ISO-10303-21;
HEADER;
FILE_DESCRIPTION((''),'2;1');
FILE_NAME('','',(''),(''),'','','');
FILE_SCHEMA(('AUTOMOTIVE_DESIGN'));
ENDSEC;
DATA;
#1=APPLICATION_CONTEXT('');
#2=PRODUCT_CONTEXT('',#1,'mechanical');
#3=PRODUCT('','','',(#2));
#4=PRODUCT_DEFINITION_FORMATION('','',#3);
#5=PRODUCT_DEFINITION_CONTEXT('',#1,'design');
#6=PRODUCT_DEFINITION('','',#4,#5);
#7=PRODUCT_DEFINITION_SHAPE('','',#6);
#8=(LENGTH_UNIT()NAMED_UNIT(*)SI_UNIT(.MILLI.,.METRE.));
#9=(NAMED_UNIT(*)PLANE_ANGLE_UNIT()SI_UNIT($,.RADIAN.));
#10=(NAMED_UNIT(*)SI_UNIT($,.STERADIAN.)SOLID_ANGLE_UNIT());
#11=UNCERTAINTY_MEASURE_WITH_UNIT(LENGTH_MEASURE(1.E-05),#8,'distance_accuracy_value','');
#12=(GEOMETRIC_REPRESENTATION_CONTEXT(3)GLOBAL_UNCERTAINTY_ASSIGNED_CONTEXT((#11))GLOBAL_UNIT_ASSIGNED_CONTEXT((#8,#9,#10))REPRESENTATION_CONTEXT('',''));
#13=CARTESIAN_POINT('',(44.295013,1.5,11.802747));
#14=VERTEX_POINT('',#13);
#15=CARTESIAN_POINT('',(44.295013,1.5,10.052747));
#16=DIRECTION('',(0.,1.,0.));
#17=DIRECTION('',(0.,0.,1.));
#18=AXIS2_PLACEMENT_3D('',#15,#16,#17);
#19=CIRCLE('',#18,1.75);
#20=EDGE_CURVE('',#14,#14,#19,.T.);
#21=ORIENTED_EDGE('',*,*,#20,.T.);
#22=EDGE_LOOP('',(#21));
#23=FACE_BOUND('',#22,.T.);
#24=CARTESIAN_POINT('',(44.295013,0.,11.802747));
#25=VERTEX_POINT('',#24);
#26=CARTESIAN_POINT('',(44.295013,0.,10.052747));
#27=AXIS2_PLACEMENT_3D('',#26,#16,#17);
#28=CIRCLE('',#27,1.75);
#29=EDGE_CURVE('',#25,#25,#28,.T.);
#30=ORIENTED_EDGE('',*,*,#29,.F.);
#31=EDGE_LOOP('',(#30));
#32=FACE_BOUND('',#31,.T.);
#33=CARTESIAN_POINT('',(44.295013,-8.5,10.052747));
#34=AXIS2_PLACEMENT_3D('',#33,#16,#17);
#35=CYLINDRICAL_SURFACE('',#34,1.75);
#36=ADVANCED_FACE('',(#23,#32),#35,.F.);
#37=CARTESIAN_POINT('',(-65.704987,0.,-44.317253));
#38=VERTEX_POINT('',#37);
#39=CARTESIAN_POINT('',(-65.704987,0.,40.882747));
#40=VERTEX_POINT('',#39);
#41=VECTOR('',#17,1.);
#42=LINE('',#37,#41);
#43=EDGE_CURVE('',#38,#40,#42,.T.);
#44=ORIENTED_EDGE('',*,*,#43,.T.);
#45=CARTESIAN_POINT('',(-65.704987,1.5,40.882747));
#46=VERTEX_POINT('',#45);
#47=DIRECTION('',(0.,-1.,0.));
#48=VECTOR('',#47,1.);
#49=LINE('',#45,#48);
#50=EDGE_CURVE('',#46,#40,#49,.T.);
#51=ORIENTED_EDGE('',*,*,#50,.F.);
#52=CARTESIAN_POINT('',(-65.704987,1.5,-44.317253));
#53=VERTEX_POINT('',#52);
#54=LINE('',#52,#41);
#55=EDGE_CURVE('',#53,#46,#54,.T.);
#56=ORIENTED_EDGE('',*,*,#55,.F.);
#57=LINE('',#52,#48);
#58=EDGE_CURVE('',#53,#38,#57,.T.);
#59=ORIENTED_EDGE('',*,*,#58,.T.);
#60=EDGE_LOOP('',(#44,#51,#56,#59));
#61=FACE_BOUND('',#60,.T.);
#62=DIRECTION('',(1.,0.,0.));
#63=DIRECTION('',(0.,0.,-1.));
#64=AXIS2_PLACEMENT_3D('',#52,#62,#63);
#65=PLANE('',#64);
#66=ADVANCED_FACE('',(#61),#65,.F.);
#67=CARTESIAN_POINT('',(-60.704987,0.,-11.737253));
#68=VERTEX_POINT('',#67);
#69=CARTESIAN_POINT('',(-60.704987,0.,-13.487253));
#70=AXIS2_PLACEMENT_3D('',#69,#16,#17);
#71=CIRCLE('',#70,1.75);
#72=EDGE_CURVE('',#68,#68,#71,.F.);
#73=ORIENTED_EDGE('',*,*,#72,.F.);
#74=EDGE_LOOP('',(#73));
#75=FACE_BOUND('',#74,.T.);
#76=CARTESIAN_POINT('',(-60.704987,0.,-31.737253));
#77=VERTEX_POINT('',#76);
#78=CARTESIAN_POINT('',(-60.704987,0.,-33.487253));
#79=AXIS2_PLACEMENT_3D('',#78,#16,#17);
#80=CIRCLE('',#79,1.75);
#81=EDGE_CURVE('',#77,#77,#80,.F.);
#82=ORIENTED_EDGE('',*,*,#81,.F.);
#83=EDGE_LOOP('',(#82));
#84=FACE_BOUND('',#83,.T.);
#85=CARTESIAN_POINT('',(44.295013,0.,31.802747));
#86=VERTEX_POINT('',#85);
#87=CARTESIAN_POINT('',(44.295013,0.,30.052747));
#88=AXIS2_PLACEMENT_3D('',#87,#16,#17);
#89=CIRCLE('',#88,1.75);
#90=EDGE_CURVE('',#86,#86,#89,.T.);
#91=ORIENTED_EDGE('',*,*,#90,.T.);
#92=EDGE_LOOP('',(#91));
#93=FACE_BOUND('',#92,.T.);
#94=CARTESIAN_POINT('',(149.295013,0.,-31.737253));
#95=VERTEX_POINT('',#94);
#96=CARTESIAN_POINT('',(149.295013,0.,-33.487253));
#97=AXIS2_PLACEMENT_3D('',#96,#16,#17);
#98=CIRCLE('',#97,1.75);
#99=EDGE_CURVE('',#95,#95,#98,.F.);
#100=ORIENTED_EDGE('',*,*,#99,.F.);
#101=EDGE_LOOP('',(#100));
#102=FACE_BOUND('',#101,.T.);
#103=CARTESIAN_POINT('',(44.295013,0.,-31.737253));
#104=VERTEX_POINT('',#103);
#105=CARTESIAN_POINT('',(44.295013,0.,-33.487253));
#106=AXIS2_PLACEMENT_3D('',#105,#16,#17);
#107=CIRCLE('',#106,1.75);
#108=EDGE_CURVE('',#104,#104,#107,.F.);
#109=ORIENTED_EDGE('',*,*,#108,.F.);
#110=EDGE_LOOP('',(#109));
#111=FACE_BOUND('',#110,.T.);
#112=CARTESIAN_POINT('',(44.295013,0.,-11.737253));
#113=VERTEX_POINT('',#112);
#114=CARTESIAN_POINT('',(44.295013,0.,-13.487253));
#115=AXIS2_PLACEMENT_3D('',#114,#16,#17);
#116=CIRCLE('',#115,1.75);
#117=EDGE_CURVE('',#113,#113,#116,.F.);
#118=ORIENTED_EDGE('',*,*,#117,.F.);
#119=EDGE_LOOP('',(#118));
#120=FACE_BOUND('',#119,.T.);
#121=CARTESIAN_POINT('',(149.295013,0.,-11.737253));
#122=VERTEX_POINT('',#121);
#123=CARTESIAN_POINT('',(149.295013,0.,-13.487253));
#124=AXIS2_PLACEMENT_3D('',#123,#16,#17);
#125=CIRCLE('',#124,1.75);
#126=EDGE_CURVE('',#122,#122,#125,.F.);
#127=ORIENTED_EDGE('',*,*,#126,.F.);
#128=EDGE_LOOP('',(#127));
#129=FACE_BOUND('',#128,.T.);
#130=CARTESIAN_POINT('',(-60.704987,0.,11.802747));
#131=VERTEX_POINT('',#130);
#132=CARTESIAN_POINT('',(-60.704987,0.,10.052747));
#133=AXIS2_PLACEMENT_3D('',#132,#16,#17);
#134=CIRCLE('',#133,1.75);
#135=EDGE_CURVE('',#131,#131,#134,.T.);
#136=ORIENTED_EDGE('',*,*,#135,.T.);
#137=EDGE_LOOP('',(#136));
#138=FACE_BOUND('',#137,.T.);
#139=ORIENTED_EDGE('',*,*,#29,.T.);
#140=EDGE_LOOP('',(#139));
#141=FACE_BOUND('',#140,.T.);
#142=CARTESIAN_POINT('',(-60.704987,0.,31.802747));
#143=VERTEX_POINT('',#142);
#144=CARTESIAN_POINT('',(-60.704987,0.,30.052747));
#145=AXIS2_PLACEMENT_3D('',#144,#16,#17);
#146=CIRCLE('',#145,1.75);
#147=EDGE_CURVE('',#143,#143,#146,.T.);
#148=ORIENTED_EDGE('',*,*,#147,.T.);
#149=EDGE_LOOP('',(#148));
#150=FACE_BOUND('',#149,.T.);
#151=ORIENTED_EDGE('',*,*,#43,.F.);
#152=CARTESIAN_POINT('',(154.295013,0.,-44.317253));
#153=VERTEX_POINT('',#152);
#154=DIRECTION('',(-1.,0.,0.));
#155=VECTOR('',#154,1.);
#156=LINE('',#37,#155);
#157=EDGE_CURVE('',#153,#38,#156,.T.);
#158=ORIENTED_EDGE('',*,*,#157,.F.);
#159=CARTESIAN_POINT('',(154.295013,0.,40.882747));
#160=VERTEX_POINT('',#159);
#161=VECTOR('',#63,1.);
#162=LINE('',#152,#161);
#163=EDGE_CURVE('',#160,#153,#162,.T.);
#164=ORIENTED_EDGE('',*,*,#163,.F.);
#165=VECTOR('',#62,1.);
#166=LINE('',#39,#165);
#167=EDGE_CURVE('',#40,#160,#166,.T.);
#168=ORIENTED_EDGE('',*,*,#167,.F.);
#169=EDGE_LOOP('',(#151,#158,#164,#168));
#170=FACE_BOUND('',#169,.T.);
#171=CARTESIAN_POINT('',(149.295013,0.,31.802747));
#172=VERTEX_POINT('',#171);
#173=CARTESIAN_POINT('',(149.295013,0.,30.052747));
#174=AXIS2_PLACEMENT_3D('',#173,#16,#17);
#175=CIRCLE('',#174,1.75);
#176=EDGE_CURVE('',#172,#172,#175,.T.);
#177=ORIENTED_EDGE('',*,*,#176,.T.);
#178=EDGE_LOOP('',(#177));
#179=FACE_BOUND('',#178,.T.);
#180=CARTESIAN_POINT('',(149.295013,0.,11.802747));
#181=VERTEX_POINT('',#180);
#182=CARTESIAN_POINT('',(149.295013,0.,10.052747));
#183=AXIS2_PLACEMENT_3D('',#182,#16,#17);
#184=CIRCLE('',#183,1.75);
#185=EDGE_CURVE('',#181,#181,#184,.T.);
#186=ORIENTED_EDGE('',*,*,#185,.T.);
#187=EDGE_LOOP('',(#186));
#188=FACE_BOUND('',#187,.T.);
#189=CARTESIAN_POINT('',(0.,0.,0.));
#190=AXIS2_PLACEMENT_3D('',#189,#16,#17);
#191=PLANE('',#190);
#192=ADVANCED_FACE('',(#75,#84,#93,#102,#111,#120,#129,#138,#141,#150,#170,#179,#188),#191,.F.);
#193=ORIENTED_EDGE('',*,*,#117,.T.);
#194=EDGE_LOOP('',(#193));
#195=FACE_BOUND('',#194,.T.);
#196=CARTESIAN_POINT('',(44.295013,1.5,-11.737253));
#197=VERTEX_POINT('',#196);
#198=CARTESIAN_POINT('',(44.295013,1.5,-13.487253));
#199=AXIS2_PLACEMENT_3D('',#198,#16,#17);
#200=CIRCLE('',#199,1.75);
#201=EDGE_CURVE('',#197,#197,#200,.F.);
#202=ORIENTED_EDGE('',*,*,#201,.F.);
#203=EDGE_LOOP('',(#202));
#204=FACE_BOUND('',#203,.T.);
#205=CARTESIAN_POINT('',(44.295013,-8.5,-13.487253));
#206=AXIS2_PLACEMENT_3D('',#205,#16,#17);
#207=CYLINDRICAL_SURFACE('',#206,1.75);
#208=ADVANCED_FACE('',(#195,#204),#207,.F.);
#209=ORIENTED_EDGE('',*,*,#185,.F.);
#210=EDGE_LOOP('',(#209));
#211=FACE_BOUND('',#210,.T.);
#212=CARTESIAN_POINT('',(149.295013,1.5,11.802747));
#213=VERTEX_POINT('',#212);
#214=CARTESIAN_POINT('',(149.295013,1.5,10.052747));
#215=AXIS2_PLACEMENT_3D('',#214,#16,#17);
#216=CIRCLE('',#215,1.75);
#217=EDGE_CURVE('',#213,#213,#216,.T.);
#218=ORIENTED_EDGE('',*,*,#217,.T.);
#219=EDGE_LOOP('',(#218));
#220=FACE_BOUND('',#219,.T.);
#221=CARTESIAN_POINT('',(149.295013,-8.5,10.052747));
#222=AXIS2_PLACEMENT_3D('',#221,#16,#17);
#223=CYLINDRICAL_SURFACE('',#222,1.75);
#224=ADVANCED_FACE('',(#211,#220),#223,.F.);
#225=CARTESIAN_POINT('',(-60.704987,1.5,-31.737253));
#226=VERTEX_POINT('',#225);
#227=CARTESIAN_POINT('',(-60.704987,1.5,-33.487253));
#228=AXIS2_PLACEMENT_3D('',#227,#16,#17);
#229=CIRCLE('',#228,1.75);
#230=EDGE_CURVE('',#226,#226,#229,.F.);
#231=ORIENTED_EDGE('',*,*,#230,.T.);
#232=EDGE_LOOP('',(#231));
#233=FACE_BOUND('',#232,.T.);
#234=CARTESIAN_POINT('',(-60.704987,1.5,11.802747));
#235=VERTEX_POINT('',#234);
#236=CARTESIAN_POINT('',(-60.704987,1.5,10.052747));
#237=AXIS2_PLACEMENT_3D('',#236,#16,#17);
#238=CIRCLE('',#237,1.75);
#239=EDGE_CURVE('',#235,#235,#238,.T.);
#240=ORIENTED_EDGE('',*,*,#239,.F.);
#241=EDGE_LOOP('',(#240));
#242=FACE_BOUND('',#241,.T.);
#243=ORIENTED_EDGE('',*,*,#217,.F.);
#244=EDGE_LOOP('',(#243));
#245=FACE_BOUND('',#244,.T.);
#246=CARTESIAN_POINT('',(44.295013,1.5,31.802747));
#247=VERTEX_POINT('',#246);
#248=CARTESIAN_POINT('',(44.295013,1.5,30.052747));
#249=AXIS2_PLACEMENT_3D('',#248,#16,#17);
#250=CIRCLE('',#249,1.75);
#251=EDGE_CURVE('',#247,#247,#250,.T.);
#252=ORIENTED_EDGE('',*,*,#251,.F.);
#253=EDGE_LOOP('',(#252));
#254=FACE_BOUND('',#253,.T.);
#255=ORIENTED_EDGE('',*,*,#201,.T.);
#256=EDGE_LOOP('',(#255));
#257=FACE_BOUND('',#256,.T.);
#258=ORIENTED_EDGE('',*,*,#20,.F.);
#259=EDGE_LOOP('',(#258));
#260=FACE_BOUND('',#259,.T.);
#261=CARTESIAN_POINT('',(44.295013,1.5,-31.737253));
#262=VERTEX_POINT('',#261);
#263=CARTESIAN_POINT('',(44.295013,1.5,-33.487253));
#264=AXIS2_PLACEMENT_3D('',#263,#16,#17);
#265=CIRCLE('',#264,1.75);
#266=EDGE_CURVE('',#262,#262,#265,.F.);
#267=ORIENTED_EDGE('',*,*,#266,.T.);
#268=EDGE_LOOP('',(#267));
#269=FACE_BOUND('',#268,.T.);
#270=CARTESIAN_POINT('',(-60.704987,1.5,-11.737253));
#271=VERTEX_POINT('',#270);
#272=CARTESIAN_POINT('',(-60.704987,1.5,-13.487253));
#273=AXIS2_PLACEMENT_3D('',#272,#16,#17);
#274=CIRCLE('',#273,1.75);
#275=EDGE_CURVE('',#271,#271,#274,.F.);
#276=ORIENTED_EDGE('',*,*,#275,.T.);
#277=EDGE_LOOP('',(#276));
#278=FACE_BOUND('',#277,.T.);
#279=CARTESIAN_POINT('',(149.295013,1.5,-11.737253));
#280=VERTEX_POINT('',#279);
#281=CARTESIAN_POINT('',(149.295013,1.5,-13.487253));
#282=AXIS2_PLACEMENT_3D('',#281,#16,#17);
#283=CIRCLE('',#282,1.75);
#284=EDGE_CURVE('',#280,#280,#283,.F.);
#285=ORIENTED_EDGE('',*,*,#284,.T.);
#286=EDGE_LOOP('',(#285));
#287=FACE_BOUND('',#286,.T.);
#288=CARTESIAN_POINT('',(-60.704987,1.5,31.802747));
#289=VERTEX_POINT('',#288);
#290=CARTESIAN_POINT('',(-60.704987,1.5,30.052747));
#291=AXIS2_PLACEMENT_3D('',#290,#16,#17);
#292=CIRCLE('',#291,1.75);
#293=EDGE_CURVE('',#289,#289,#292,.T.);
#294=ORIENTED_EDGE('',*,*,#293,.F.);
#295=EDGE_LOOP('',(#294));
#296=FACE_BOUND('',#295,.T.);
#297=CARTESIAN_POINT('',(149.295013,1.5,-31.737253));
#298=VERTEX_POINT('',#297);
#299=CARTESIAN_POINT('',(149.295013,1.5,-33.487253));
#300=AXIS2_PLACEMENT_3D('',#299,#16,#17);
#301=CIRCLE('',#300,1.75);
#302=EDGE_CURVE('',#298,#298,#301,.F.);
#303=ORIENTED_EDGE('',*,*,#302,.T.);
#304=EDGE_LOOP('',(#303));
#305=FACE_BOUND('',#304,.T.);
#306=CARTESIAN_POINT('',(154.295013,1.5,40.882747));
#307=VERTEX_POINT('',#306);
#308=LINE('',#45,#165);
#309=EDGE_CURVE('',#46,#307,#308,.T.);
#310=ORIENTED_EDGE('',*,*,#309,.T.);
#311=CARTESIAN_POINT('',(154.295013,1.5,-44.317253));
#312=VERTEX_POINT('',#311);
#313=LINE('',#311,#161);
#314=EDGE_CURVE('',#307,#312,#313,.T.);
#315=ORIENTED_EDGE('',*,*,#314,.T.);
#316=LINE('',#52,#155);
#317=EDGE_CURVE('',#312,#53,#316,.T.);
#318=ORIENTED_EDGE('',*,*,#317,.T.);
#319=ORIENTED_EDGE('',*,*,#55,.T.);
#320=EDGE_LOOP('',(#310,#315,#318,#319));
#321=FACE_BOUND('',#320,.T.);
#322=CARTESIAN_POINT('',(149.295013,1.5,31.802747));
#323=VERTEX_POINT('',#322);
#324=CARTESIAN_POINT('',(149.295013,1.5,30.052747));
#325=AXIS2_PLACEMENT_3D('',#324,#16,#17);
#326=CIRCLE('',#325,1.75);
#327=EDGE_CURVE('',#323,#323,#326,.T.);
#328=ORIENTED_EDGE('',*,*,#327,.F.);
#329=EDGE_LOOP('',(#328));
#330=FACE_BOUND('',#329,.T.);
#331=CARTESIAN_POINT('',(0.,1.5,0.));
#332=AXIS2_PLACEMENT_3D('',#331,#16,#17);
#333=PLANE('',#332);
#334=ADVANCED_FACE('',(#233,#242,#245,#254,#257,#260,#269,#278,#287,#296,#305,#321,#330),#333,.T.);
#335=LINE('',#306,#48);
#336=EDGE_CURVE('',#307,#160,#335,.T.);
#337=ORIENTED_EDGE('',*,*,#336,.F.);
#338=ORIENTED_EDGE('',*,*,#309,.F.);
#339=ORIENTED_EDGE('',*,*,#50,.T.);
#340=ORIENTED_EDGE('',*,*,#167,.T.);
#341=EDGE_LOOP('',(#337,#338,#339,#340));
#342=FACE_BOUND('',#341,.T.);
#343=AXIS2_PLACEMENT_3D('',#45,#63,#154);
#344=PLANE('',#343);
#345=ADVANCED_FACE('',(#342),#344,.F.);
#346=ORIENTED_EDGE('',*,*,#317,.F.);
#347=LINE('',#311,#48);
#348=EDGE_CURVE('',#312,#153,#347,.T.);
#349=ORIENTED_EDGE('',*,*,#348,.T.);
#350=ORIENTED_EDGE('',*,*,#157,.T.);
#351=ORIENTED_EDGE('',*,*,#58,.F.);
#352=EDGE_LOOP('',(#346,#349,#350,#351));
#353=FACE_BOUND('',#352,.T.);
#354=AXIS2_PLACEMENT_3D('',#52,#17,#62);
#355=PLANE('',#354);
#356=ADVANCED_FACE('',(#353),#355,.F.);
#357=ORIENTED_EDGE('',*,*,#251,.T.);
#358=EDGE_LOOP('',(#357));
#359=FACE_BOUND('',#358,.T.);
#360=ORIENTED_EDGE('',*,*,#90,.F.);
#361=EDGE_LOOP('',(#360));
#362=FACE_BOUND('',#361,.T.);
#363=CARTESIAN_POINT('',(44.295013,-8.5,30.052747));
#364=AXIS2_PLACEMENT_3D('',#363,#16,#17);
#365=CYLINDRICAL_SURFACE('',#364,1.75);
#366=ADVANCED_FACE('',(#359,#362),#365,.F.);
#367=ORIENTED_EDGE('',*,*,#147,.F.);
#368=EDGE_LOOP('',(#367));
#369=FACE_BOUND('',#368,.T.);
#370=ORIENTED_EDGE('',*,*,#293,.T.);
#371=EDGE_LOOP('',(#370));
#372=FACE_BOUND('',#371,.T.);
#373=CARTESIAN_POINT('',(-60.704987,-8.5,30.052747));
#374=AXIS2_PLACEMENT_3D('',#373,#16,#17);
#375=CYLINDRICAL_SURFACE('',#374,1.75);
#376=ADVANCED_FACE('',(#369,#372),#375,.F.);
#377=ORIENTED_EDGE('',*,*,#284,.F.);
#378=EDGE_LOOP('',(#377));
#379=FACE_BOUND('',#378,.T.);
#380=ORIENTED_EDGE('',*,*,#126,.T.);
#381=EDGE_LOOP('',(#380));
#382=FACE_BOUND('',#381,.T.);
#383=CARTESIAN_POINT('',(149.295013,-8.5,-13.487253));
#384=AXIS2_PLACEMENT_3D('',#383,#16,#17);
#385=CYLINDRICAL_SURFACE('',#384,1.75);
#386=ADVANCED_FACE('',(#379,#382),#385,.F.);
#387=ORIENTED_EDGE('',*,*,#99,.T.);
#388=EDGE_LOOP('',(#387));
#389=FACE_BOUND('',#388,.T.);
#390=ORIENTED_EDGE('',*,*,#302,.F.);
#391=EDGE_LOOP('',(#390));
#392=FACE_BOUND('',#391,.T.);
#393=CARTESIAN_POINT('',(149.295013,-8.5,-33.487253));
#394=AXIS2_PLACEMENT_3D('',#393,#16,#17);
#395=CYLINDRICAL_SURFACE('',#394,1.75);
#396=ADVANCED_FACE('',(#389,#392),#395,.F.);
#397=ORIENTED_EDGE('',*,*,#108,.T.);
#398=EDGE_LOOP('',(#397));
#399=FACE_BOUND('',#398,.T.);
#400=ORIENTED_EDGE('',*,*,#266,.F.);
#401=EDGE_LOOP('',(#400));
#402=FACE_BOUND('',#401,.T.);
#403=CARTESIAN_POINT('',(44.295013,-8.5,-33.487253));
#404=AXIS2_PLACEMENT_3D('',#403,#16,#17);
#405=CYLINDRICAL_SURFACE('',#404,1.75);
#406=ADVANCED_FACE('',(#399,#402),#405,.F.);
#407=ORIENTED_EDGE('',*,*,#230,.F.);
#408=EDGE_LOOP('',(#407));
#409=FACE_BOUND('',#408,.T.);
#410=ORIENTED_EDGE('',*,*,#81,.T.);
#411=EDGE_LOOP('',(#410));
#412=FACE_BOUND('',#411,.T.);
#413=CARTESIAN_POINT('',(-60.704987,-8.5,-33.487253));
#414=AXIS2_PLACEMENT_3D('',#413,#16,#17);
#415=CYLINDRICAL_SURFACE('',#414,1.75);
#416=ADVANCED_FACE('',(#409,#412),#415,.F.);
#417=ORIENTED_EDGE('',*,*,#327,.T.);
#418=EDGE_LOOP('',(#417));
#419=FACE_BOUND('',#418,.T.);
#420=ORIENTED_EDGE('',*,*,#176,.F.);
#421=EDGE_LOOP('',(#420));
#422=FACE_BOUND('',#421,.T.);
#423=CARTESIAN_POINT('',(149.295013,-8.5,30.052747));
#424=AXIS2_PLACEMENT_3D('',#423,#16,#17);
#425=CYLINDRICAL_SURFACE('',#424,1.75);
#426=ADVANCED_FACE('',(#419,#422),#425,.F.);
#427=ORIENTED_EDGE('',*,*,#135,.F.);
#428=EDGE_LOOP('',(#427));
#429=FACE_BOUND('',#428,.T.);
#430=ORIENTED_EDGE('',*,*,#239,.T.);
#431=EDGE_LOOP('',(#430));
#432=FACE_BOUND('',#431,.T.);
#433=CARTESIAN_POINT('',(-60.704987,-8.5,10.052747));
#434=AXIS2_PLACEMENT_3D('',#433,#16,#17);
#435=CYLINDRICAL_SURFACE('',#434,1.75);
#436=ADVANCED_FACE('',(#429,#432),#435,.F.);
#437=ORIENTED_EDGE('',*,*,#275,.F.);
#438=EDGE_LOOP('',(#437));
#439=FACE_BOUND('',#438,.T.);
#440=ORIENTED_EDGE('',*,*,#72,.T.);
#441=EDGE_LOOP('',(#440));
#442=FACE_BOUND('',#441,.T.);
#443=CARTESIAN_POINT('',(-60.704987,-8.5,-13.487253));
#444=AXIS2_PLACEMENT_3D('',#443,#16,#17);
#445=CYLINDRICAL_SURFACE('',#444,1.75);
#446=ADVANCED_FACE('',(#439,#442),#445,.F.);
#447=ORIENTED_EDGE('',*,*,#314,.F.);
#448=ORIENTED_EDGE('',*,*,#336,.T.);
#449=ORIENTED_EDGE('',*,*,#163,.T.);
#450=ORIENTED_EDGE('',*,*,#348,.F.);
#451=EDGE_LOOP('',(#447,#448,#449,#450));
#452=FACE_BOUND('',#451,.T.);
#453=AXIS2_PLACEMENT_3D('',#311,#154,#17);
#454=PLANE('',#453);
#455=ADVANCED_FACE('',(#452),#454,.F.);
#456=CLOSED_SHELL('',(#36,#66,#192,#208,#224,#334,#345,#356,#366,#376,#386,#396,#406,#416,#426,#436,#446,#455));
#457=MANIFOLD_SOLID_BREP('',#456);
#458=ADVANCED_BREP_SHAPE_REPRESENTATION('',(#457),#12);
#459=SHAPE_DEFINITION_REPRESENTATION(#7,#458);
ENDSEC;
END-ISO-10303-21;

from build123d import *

# Parameters (mm, degrees)
SKETCH_1_W          = 220
SKETCH_1_H          = 85.2
EXTRUDE_1_DEPTH     = 1.5
SKETCH_2_R          = 1.75
CUT_EXTRUDE_1_DEPTH = 10


with BuildPart() as part:
    # 草图1 → 凸台-拉伸1 (new body)
    with BuildSketch(Plane(origin=(0, 0, 0), x_dir=(1, 0, 0), z_dir=(0, 1, 0))):
        with Locations((44.295012832, 1.717252595)):
            Rectangle(SKETCH_1_W, SKETCH_1_H)
    extrude(amount=EXTRUDE_1_DEPTH)

    # 草图2 → 切除-拉伸1 (cut)
    with BuildSketch(Plane(origin=(0, 1.5, 0), x_dir=(1, 0, 0), z_dir=(0, 1, 0))):
        with Locations((149.295012832, -30.052747405)):
            Circle(SKETCH_2_R)
        with Locations((149.295012832, -10.052747405)):
            Circle(SKETCH_2_R)
        with Locations((44.295012832, -10.052747405)):
            Circle(SKETCH_2_R)
        with Locations((44.295012832, -30.052747405)):
            Circle(SKETCH_2_R)
        with Locations((44.295012832, 13.487252595)):
            Circle(SKETCH_2_R)
        with Locations((44.295012832, 33.487252595)):
            Circle(SKETCH_2_R)
        with Locations((149.295012832, 13.487252595)):
            Circle(SKETCH_2_R)
        with Locations((149.295012832, 33.487252595)):
            Circle(SKETCH_2_R)
        with Locations((-60.704987168, 33.487252595)):
            Circle(SKETCH_2_R)
        with Locations((-60.704987168, 13.487252595)):
            Circle(SKETCH_2_R)
        with Locations((-60.704987168, -10.052747405)):
            Circle(SKETCH_2_R)
        with Locations((-60.704987168, -30.052747405)):
            Circle(SKETCH_2_R)
    extrude(amount=-CUT_EXTRUDE_1_DEPTH, mode=Mode.SUBTRACT)


solid = part.part
